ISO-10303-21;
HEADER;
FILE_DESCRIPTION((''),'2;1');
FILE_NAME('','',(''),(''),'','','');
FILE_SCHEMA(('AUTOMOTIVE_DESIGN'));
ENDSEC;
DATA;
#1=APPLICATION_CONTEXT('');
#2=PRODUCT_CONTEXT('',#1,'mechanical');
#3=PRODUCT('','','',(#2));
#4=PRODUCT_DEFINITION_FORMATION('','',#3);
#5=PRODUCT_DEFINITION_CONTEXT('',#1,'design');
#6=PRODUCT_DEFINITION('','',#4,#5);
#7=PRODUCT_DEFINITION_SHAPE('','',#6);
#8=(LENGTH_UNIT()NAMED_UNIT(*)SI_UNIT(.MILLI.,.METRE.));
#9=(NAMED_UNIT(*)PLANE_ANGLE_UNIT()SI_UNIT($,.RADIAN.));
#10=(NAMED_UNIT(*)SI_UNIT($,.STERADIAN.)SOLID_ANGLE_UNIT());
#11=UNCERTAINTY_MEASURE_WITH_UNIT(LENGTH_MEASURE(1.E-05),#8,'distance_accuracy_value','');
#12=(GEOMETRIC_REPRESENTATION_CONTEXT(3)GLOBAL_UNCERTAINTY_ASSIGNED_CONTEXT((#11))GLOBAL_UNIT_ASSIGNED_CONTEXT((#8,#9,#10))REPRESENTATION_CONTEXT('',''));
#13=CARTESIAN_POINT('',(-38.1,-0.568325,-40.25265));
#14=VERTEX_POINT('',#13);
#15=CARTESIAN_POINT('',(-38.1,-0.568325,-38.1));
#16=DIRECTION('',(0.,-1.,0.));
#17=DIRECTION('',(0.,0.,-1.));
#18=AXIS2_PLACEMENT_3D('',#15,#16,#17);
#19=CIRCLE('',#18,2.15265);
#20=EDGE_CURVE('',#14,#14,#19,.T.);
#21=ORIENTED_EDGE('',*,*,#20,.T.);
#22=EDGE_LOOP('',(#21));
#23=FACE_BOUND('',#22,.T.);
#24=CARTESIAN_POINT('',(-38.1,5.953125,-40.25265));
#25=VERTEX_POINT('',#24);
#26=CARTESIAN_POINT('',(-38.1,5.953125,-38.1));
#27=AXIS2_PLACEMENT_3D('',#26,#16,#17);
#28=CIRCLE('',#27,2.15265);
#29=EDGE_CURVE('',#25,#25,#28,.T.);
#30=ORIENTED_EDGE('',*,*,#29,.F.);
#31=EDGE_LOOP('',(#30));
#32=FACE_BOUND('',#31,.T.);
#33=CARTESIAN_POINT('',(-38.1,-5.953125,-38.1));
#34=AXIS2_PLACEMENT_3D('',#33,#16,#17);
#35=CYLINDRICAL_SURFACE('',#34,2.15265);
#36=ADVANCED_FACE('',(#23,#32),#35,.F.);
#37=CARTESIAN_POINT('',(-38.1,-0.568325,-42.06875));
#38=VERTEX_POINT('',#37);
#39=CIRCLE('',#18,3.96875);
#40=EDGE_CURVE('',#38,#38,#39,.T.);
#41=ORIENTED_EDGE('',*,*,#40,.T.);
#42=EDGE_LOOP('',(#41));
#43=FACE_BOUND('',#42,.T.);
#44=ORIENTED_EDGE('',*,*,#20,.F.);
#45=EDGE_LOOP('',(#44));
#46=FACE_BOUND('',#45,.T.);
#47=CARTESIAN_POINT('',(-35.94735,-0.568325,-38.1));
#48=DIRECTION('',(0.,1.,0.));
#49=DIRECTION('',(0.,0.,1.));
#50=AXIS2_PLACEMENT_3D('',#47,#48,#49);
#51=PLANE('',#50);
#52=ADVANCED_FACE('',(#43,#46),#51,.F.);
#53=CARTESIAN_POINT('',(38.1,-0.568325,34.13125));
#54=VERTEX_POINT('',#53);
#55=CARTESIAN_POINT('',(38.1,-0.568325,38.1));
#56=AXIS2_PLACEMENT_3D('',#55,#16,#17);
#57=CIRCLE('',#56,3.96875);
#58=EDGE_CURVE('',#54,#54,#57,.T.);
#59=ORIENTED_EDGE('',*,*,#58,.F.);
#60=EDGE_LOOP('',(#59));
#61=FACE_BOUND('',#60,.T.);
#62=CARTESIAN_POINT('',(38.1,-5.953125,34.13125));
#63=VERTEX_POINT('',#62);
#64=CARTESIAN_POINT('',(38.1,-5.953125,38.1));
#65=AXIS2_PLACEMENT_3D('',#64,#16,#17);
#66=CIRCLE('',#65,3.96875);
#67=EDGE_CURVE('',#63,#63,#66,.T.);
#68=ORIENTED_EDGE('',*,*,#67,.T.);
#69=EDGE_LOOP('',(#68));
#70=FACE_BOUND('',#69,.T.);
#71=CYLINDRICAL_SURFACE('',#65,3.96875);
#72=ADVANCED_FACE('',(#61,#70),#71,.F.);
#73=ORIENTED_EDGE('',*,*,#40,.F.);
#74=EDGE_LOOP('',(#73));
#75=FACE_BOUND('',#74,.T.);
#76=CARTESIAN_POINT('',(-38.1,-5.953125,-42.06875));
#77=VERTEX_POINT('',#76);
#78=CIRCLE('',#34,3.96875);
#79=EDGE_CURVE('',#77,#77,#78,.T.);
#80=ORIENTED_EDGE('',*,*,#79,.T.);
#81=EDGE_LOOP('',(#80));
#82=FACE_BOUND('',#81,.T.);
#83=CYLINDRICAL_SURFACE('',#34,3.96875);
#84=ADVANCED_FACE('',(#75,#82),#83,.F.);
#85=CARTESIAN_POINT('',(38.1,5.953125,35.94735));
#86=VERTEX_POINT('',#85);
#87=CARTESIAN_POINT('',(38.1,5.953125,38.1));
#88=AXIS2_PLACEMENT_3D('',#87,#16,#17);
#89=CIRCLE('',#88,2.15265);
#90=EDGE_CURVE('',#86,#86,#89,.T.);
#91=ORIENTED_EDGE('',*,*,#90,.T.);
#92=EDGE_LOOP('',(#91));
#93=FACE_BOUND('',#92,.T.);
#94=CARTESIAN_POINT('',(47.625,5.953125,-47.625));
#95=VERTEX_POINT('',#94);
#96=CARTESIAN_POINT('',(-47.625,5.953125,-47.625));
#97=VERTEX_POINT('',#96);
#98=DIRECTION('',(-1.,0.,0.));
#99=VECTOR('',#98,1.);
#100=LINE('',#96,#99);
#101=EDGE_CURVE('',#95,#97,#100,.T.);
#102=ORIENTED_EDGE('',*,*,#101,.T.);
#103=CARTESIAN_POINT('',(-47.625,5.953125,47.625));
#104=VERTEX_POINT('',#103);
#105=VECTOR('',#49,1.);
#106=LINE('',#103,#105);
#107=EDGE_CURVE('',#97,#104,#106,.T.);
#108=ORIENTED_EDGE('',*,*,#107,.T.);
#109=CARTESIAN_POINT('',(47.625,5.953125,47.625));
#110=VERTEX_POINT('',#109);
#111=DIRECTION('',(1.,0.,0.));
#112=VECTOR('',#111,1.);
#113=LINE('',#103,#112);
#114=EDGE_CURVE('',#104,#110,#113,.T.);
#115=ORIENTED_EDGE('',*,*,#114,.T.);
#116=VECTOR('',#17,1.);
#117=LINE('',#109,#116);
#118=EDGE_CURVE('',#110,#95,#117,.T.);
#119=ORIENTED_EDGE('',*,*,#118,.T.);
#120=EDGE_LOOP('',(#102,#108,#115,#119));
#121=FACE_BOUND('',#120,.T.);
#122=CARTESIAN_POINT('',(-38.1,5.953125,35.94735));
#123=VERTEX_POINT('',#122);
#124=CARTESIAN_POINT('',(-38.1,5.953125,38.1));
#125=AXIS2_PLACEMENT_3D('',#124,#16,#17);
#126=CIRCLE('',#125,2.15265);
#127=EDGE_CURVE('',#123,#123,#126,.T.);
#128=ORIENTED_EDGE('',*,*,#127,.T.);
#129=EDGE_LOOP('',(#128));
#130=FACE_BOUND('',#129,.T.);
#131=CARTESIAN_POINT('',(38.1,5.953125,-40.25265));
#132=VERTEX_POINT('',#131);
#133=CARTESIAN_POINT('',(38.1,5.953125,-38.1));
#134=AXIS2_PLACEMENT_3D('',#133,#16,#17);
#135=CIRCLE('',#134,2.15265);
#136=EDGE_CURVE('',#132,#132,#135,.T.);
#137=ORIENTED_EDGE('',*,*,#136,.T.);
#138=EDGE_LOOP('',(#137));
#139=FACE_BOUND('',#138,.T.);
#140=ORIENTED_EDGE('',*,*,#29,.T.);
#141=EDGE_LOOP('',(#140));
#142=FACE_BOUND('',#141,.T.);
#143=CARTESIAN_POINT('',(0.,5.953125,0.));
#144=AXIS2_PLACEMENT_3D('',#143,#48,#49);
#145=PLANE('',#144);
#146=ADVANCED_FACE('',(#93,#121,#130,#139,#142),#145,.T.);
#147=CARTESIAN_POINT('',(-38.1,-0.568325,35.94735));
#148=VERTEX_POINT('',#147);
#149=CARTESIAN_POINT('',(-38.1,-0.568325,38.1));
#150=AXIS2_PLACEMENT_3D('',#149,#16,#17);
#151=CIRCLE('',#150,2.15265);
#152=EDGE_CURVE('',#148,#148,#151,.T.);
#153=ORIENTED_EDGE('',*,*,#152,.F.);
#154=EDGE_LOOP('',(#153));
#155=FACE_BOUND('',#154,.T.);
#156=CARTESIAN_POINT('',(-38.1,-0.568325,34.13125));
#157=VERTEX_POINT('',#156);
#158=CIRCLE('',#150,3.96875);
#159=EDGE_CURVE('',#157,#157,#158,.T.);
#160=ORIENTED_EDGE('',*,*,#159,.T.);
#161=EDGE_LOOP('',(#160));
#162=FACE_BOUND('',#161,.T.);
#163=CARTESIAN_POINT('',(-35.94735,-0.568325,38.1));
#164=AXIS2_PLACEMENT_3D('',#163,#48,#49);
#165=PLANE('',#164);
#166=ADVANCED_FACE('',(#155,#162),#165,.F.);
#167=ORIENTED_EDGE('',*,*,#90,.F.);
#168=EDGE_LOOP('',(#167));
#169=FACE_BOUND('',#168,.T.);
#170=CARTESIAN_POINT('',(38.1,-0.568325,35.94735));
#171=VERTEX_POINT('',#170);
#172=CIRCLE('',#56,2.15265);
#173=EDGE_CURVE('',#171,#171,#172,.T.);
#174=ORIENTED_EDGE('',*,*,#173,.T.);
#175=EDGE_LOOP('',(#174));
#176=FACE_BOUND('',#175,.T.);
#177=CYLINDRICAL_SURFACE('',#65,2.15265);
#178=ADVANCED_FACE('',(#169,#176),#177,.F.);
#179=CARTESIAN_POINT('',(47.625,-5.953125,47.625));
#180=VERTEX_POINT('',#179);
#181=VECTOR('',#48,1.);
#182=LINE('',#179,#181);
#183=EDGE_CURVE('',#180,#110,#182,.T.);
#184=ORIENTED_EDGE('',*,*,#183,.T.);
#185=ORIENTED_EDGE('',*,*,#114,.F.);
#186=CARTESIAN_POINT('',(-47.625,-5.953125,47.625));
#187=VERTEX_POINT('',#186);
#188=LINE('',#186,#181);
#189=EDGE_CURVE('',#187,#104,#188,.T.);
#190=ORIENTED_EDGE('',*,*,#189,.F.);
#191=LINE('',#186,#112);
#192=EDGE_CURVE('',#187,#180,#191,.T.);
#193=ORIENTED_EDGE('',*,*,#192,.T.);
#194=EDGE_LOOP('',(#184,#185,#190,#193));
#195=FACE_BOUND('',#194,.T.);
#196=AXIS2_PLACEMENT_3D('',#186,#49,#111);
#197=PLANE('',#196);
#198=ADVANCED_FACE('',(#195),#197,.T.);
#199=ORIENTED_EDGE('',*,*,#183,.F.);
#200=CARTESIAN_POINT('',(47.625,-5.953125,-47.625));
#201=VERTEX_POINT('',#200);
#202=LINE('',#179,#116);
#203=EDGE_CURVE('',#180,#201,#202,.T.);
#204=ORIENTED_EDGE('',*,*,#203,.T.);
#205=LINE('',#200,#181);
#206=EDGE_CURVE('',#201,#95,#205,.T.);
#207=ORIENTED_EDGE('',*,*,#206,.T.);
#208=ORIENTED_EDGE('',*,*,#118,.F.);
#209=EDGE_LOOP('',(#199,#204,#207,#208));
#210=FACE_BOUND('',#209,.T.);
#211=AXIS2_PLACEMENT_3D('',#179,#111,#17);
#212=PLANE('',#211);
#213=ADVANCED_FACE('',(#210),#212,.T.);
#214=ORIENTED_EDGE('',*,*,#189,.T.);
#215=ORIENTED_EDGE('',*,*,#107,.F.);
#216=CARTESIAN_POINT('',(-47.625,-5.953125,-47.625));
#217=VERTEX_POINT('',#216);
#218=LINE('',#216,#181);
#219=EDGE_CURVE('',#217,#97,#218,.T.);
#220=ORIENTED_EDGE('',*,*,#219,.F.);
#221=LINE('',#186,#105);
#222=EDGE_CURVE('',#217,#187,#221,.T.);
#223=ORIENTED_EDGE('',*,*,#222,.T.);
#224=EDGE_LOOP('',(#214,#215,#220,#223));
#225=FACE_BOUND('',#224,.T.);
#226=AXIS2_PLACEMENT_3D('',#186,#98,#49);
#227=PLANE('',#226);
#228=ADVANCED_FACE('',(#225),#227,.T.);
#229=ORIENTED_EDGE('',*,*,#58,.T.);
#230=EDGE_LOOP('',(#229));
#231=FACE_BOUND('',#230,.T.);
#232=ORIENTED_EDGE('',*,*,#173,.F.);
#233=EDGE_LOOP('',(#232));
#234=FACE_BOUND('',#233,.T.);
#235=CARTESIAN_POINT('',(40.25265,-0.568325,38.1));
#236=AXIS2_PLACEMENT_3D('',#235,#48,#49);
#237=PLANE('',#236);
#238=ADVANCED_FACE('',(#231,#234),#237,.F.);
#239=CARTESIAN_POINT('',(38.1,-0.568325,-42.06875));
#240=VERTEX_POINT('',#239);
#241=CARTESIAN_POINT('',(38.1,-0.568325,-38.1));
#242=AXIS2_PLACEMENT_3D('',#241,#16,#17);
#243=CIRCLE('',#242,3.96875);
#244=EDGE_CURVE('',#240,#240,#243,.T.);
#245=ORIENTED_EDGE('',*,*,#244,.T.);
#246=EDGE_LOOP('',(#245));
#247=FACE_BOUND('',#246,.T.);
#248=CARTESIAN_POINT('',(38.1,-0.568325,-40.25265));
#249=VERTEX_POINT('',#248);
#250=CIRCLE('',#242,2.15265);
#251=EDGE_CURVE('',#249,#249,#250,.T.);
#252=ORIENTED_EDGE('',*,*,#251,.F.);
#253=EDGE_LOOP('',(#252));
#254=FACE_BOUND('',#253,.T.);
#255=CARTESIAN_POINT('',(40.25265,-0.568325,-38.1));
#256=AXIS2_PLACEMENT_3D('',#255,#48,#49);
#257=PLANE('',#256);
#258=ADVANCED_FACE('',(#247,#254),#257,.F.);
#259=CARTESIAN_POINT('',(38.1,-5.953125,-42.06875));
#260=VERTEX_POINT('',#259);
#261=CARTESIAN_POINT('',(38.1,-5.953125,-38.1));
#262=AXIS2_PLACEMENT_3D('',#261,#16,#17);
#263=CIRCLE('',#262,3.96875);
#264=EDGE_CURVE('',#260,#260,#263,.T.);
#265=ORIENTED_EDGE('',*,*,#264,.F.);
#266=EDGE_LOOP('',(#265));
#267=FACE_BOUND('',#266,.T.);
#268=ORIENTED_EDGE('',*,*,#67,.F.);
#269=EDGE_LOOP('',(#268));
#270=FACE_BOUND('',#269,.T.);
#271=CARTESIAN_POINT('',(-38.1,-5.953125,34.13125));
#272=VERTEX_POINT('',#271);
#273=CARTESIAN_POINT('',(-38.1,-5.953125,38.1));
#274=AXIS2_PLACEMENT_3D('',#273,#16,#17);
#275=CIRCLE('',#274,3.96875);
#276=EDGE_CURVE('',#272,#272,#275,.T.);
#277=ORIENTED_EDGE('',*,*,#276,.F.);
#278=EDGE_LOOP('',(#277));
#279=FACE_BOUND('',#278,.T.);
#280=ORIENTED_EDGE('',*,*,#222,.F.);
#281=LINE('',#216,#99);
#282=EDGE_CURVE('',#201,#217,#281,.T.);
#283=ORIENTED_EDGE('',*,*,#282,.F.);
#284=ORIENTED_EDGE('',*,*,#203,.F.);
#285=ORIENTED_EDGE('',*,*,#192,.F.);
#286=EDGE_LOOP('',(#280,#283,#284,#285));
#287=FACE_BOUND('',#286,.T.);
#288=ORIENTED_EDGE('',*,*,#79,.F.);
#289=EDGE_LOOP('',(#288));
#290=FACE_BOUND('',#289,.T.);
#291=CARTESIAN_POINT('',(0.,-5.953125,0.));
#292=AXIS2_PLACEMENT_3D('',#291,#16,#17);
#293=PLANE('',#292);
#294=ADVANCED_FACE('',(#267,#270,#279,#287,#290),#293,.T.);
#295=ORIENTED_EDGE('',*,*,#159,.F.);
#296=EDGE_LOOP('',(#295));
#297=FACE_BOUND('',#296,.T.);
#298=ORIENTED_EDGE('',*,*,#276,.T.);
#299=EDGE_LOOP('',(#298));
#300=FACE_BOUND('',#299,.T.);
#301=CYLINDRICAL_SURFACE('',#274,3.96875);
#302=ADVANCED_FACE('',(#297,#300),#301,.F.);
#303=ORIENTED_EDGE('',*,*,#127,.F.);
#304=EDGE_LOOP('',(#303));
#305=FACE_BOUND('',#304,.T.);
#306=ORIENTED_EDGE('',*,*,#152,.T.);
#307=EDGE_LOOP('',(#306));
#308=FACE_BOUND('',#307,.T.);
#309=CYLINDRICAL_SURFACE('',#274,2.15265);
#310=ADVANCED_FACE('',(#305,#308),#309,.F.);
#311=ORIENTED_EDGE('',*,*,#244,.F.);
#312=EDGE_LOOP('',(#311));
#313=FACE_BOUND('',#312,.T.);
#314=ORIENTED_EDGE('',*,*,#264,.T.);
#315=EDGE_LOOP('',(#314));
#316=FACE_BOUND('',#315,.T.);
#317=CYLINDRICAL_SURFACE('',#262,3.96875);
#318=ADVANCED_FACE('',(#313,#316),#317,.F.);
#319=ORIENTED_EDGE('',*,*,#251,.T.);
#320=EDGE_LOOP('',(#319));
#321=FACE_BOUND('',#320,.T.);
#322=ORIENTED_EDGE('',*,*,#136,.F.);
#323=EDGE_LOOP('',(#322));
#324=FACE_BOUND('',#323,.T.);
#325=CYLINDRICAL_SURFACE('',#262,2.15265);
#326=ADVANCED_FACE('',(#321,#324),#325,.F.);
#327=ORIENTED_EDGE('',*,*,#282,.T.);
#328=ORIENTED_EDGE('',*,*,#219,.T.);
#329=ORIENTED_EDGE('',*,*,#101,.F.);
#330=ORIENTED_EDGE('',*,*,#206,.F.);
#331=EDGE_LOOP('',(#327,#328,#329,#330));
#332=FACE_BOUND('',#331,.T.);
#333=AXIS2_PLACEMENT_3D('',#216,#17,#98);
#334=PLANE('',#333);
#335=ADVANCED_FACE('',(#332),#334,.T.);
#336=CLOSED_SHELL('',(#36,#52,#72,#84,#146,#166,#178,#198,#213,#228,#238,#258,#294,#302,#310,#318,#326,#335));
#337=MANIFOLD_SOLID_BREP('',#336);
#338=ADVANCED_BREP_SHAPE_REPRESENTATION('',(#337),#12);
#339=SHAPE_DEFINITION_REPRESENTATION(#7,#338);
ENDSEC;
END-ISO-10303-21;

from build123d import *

# Parameters (mm, degrees)
SKETCH3_W                           = 101.6
SKETCH3_H                           = 12.7
BOSS_EXTRUDE1_DEPTH                 = 50.8
BASEBORDERRADIUSSKETCH_OUTSIDE_W    = 132.436
BASEBORDERRADIUSSKETCH_OUTSIDE_H    = 132.436
BASEBORDERRADIUSSKETCH_OUTSIDE_W_2  = 95.25
BASEBORDERRADIUSSKETCH_OUTSIDE_H_2  = 95.25
BASEBORDERRADIUSCUT_EXTRUDE_DEPTH   = 73.821966391
BUMPER_6_32_TAPPED_HOLE_D           = 4.3053
BUMPER_6_32_TAPPED_HOLE_CBORE_D     = 7.9375
BUMPER_6_32_TAPPED_HOLE_CBORE_DEPTH = 5.3848
BUMPERTHREADLPATTERN_COUNT          = 2
BUMPERTHREADLPATTERN_PITCH          = 76.2
BUMPERTHREADLPATTERN_COUNT_DIR2     = 2
BUMPERTHREADLPATTERN_PITCH_DIR2     = 76.2


with BuildPart() as part:
    # Sketch3 → Boss-Extrude1 (new, symmetric)
    with BuildSketch(Plane.XY):
        Rectangle(SKETCH3_W, SKETCH3_H)
    extrude(amount=BOSS_EXTRUDE1_DEPTH, both=True)

    # FacingTopSurfaceCut
    split(bisect_by=Plane(origin=(0, 5.953125, 0), x_dir=(1, 0, 0), z_dir=(0, 1, 0)), keep=Keep.BOTTOM)

    # FacingBottomSurfaceCut
    split(bisect_by=Plane(origin=(0, -5.953125, 0), x_dir=(-1, 0, 0), z_dir=(0, -1, 0)), keep=Keep.BOTTOM)

    # BaseBorderRadiusSketch outside → BaseBorderRadiusCut-Extrude (cut, through all)
    with BuildSketch(Plane(origin=(0, 5.953125, 0), x_dir=(1, 0, 0), z_dir=(0, 1, 0))):
        Rectangle(BASEBORDERRADIUSSKETCH_OUTSIDE_W, BASEBORDERRADIUSSKETCH_OUTSIDE_H)
        Rectangle(BASEBORDERRADIUSSKETCH_OUTSIDE_W_2, BASEBORDERRADIUSSKETCH_OUTSIDE_H_2, mode=Mode.SUBTRACT)
    extrude(amount=-BASEBORDERRADIUSCUT_EXTRUDE_DEPTH, mode=Mode.SUBTRACT)

    # Bumper#6-32 Tapped Hole (through all)
    with Locations(Plane(origin=(-38.1, -5.953125, 38.1), x_dir=(0, 0, -1), z_dir=(0, -1, 0))):
        with Locations((0, 0)):
            bumper_6_32_tapped_hole = CounterBoreHole(BUMPER_6_32_TAPPED_HOLE_D / 2, BUMPER_6_32_TAPPED_HOLE_CBORE_D / 2, BUMPER_6_32_TAPPED_HOLE_CBORE_DEPTH)

    # BumperThreadLPattern: Bumper_6-32 Tapped Hole 2 × 2
    with Locations(*[(j * BUMPERTHREADLPATTERN_PITCH_DIR2, 0, -i * BUMPERTHREADLPATTERN_PITCH) for i in range(BUMPERTHREADLPATTERN_COUNT) for j in range(BUMPERTHREADLPATTERN_COUNT_DIR2) if (i, j) != (0, 0)]):
        add(bumper_6_32_tapped_hole, mode=Mode.SUBTRACT)


solid = part.part
